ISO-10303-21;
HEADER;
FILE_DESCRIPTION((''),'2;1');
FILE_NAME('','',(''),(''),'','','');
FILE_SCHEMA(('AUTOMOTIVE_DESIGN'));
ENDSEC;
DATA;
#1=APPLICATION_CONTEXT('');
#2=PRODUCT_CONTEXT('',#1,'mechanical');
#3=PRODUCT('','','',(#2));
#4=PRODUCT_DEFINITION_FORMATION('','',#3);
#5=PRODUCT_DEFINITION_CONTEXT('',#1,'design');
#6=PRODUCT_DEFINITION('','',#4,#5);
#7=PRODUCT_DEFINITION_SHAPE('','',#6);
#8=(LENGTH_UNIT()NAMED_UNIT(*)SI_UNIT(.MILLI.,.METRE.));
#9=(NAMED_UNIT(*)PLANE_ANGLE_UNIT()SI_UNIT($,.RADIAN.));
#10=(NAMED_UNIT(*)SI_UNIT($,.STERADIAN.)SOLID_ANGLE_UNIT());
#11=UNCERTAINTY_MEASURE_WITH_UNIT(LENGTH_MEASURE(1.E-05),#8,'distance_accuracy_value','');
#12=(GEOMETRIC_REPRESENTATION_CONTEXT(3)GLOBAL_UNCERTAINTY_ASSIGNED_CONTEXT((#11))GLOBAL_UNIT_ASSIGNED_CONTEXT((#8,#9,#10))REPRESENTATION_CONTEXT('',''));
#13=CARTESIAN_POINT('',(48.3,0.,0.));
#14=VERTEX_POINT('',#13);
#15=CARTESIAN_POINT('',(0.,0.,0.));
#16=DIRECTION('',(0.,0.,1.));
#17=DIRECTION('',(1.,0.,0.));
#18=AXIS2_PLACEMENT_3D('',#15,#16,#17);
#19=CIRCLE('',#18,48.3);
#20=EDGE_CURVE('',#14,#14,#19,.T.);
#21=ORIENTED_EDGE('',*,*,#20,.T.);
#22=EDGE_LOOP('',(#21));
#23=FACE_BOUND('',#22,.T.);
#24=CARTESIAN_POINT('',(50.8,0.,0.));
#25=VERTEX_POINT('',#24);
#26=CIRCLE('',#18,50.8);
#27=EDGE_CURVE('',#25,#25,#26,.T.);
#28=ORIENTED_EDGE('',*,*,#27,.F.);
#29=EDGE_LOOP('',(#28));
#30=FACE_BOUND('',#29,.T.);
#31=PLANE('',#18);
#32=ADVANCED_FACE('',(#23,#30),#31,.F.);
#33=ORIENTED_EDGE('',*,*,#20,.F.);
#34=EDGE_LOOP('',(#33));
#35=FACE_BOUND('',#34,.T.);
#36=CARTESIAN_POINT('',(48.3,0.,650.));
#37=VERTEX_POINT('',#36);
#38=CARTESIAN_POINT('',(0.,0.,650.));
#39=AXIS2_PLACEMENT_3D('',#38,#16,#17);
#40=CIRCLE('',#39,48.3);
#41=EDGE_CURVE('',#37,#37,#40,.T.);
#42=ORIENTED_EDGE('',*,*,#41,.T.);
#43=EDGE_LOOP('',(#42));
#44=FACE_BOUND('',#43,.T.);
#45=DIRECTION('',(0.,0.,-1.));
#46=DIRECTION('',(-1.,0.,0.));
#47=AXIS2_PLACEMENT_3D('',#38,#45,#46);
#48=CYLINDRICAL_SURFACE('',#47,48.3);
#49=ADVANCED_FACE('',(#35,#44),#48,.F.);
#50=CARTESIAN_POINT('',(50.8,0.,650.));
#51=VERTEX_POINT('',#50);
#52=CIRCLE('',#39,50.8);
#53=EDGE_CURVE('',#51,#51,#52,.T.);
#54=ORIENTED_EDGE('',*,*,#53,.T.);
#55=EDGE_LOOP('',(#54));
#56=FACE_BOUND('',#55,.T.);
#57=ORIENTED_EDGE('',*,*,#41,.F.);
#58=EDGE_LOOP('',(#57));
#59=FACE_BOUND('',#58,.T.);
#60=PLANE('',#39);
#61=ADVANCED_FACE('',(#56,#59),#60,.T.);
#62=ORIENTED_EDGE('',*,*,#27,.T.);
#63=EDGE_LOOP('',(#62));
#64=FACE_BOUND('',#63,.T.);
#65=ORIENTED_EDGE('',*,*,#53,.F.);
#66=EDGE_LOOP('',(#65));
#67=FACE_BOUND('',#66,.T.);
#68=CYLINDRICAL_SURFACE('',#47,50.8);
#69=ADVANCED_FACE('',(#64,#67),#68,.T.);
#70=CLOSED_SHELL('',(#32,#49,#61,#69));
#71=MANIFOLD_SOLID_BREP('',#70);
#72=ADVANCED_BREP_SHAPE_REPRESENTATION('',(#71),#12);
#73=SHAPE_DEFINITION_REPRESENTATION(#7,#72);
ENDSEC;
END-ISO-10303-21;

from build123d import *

# Parameters (mm, degrees)
ESBO_O1_R                = 50.8
ESBO_O1_R_2              = 48.3
RESSALTO_EXTRUS_O1_DEPTH = 650


with BuildPart() as part:
    # Esboço1 → Ressalto-extrusão1 (new body)
    with BuildSketch(Plane.XY):
        Circle(ESBO_O1_R)
        Circle(ESBO_O1_R_2, mode=Mode.SUBTRACT)
    extrude(amount=RESSALTO_EXTRUS_O1_DEPTH)


solid = part.part
